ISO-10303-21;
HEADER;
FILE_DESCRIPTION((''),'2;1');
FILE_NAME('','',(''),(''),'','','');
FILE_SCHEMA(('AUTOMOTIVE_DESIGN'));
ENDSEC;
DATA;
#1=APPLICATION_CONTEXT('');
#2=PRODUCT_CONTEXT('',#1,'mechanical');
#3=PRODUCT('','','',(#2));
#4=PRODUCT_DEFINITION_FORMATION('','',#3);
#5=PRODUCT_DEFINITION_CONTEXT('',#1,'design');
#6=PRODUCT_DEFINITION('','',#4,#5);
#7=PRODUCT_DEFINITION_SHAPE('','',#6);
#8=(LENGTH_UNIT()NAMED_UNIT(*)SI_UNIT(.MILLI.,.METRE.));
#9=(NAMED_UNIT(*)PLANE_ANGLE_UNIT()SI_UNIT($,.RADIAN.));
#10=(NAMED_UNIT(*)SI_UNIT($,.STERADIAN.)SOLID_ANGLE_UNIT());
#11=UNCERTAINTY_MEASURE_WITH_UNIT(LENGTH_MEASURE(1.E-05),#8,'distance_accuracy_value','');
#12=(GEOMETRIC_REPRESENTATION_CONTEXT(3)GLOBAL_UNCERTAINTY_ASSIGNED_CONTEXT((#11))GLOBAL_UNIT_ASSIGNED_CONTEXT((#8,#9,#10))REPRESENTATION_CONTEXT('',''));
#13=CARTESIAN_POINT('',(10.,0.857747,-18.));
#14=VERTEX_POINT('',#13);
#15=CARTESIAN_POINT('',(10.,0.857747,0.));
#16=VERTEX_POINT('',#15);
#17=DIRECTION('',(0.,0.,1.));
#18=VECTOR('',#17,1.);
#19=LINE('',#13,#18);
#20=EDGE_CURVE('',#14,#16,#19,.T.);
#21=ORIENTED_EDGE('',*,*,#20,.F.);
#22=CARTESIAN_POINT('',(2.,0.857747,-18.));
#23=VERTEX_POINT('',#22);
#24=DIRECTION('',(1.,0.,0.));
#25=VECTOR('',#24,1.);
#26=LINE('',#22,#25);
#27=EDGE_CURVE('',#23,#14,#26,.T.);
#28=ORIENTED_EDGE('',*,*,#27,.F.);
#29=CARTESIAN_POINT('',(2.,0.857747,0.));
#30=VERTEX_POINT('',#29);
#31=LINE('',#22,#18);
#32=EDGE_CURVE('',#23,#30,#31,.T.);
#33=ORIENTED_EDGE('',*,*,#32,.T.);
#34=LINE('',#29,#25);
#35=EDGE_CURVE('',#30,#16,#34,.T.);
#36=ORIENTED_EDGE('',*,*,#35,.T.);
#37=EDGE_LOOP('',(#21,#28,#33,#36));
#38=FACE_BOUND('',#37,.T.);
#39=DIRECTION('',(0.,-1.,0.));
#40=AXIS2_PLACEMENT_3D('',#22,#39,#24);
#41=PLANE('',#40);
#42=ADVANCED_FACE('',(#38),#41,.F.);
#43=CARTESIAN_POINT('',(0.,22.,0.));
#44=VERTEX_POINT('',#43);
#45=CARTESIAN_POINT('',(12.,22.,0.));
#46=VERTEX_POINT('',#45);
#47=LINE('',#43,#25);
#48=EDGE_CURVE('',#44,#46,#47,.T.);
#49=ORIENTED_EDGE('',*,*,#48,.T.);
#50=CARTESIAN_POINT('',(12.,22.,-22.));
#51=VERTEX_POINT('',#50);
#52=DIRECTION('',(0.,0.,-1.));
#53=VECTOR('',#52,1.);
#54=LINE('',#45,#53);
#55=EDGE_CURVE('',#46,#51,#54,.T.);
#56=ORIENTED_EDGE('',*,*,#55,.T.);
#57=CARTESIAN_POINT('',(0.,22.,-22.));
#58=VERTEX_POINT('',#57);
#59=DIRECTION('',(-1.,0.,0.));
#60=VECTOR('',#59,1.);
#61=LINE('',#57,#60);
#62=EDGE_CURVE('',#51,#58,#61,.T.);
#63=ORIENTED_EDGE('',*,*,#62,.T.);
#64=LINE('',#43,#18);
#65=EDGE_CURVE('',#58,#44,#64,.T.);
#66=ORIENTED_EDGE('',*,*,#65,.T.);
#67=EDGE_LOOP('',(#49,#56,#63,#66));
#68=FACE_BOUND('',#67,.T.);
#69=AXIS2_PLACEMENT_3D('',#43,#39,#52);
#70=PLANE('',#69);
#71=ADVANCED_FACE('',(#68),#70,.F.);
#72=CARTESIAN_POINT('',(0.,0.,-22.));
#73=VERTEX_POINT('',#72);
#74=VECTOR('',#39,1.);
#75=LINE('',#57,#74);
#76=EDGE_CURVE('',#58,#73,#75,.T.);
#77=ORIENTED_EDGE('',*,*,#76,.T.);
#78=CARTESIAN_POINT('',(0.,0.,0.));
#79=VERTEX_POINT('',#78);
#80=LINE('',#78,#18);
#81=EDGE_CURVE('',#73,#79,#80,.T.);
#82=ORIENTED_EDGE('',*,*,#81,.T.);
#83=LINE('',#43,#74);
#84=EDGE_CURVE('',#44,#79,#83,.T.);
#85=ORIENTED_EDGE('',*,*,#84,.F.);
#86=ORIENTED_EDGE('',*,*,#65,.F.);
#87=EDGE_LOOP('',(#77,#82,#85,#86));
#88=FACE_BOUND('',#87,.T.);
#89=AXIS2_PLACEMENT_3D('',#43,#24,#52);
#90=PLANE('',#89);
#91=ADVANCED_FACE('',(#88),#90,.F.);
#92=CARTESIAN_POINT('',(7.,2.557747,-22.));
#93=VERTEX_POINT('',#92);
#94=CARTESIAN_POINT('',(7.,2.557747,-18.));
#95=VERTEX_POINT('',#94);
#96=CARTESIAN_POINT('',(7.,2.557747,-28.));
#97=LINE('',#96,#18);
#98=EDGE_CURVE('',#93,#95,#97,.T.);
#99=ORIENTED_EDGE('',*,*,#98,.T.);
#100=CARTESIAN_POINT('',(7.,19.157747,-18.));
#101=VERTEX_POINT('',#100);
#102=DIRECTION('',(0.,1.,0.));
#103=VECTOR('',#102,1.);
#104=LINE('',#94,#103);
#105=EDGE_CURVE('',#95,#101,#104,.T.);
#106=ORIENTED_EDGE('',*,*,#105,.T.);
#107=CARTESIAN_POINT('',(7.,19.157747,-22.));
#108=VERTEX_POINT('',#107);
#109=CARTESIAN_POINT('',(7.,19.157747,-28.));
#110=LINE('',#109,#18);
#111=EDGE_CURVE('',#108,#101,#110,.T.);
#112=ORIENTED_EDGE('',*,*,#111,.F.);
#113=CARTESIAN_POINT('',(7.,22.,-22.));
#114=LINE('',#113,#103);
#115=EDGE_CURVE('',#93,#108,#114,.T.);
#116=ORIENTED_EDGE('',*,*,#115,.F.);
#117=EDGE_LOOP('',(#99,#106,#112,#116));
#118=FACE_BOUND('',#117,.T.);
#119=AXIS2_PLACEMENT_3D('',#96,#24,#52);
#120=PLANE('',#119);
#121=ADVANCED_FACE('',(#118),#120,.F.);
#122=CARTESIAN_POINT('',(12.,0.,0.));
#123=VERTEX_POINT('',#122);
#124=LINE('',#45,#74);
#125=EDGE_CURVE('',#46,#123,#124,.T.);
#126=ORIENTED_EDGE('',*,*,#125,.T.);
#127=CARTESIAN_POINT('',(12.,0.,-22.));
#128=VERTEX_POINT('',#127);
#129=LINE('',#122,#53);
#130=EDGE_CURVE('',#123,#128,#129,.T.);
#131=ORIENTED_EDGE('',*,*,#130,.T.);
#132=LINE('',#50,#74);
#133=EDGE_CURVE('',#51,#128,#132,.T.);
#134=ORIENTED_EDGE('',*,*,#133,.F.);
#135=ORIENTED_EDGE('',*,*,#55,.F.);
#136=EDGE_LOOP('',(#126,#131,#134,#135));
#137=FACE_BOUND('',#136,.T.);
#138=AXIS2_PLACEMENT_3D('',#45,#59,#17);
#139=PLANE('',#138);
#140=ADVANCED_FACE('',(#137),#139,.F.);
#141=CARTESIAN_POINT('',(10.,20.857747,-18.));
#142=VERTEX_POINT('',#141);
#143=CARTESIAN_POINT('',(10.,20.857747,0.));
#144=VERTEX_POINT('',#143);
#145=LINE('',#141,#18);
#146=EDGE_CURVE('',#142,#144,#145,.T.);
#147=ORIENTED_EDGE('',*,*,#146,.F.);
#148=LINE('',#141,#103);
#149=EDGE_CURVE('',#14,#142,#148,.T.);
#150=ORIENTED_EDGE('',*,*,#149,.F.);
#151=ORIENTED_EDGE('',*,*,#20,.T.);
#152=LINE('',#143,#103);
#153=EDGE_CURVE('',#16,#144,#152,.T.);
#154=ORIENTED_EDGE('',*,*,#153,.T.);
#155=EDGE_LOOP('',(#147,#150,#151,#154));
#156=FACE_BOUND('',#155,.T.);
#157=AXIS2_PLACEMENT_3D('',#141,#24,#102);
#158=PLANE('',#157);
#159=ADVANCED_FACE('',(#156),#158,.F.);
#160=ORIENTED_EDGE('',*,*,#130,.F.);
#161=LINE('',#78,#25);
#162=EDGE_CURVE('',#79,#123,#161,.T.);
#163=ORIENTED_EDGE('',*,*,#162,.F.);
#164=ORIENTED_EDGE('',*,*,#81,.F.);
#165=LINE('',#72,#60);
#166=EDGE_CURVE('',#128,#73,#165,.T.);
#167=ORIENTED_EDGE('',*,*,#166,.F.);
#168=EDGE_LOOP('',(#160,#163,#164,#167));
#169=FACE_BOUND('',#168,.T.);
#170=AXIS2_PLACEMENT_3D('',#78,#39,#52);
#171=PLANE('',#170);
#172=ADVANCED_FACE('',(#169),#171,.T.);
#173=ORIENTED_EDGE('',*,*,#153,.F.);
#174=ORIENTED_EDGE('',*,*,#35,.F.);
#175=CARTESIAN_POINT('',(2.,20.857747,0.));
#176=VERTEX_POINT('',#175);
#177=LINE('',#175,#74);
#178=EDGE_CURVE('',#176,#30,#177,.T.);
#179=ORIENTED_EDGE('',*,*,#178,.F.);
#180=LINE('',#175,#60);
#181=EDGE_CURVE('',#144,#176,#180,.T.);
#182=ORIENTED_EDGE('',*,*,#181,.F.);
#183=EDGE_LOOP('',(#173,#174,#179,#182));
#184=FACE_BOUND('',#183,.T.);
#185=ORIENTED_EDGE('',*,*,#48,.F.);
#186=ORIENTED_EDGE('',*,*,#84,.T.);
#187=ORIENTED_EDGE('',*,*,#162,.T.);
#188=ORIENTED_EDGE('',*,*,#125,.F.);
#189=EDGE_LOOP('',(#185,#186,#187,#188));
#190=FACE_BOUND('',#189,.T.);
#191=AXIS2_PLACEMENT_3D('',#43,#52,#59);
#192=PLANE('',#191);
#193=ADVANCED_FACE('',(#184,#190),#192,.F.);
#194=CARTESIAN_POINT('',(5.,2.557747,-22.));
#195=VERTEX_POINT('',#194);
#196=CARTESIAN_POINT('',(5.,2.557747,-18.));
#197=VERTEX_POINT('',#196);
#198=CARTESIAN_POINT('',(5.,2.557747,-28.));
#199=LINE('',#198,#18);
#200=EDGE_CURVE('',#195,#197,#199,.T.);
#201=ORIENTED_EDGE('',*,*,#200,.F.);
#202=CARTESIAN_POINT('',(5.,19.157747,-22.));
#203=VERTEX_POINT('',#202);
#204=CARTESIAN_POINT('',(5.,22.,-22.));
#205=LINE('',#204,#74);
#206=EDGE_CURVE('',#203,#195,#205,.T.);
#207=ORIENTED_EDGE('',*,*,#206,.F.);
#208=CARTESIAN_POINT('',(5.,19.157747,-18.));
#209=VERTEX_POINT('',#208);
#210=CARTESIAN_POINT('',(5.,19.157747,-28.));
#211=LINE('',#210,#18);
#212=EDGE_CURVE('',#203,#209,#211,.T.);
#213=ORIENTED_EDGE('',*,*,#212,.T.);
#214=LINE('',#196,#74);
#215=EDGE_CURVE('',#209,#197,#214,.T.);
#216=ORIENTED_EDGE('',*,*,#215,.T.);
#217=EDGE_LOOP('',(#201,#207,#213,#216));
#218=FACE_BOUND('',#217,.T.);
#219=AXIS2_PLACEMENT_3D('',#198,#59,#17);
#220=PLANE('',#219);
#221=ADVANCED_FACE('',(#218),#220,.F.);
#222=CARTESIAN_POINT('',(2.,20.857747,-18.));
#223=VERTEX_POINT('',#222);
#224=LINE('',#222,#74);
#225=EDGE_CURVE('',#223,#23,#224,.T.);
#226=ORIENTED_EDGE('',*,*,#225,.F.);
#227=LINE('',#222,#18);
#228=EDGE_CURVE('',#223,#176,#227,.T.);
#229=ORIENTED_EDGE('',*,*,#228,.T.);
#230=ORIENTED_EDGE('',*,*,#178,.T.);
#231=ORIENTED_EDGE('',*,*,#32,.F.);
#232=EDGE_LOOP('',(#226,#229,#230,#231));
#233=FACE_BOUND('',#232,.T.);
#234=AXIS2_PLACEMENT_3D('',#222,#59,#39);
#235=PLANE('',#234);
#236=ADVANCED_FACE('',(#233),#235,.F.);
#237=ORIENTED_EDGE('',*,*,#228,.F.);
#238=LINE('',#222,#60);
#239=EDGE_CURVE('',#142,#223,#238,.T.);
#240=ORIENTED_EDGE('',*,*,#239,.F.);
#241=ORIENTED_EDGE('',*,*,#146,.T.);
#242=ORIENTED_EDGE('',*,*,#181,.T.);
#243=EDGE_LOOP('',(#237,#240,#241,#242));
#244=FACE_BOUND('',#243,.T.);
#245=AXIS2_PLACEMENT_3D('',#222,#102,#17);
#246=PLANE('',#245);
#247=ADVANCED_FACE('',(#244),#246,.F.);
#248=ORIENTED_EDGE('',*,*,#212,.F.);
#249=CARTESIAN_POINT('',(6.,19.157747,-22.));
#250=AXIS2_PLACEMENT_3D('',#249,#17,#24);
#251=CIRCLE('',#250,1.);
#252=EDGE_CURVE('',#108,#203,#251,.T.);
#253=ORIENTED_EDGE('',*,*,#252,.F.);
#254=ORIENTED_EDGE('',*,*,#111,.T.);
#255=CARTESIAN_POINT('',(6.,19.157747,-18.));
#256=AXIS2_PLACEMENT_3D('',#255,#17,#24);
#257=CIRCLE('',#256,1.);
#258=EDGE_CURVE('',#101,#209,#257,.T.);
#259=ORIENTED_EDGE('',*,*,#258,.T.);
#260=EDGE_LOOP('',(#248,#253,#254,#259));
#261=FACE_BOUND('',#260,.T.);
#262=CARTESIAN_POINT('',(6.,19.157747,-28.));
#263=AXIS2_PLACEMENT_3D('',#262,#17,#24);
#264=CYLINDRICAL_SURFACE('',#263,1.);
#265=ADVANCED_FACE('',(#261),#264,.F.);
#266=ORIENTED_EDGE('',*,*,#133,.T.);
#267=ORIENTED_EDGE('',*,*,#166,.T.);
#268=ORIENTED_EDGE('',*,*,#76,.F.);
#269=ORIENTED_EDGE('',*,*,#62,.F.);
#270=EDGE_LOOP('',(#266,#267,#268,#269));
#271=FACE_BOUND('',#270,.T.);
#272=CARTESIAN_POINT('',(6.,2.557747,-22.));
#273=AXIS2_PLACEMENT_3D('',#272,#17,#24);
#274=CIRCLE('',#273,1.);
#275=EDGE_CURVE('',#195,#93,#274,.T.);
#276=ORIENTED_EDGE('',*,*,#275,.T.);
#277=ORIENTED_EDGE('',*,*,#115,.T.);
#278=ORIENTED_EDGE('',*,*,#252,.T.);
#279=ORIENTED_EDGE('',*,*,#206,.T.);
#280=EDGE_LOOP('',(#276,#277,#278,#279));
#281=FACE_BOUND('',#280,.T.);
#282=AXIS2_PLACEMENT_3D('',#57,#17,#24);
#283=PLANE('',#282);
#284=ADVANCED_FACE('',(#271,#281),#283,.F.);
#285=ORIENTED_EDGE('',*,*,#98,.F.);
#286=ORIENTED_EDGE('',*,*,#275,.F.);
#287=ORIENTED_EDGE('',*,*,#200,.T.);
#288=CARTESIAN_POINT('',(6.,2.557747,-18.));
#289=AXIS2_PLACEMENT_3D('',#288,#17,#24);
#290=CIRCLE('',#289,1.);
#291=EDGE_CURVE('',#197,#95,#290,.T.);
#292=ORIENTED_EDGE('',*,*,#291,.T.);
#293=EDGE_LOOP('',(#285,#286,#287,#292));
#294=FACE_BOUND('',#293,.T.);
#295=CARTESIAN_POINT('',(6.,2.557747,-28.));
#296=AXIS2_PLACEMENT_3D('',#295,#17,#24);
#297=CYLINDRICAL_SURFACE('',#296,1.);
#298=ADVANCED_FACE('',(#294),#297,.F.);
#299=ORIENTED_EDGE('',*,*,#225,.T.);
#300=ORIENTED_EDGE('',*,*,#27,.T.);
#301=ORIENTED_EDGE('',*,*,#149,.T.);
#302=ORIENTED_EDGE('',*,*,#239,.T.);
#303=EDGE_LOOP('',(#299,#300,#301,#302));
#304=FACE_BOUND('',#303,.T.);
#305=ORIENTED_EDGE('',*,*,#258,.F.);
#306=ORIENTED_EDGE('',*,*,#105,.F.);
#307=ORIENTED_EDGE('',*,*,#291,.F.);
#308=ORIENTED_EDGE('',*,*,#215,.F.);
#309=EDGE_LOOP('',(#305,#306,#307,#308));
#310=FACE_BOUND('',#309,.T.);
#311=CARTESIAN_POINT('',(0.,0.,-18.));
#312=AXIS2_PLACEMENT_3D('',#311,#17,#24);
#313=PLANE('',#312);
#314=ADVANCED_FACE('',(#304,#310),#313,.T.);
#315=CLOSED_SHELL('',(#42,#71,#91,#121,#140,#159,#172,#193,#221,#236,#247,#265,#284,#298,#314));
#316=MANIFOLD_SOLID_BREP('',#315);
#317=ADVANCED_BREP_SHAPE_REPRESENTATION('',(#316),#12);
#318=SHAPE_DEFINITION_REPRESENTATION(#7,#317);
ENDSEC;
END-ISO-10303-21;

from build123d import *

# Parameters (mm, degrees)
SKETCH2_W           = 12
SKETCH2_H           = 22
BOSS_EXTRUDE1_DEPTH = 22
SKETCH4_W           = 8
SKETCH4_H           = 20
CUT_EXTRUDE1_DEPTH  = 18
CUT_EXTRUDE2_DEPTH  = 10


with BuildPart() as part:
    # Sketch2 → Boss-Extrude1 (new body)
    with BuildSketch(Plane(origin=(0, 0, 0), x_dir=(1, 0, 0), z_dir=(0, 1, 0))):
        with Locations((6, 11)):
            Rectangle(SKETCH2_W, SKETCH2_H)
    extrude(amount=BOSS_EXTRUDE1_DEPTH)

    # Sketch4 → Cut-Extrude1 (cut)
    with BuildSketch(Plane.XY):
        with Locations((6, 10.85774702)):
            Rectangle(SKETCH4_W, SKETCH4_H)
    extrude(amount=-CUT_EXTRUDE1_DEPTH, mode=Mode.SUBTRACT)

    # Sketch6 → Cut-Extrude2 (cut)
    with BuildSketch(Plane.XY.offset(-18)):
        with BuildLine():
            Line((5, 2.55774702), (5, 19.15774702))
            ThreePointArc((5, 19.15774702), (6, 20.15774702), (7, 19.15774702))
            Line((7, 19.15774702), (7, 2.55774702))
            ThreePointArc((7, 2.55774702), (6, 1.55774702), (5, 2.55774702))
        make_face()
    extrude(amount=-CUT_EXTRUDE2_DEPTH, mode=Mode.SUBTRACT)


solid = part.part
